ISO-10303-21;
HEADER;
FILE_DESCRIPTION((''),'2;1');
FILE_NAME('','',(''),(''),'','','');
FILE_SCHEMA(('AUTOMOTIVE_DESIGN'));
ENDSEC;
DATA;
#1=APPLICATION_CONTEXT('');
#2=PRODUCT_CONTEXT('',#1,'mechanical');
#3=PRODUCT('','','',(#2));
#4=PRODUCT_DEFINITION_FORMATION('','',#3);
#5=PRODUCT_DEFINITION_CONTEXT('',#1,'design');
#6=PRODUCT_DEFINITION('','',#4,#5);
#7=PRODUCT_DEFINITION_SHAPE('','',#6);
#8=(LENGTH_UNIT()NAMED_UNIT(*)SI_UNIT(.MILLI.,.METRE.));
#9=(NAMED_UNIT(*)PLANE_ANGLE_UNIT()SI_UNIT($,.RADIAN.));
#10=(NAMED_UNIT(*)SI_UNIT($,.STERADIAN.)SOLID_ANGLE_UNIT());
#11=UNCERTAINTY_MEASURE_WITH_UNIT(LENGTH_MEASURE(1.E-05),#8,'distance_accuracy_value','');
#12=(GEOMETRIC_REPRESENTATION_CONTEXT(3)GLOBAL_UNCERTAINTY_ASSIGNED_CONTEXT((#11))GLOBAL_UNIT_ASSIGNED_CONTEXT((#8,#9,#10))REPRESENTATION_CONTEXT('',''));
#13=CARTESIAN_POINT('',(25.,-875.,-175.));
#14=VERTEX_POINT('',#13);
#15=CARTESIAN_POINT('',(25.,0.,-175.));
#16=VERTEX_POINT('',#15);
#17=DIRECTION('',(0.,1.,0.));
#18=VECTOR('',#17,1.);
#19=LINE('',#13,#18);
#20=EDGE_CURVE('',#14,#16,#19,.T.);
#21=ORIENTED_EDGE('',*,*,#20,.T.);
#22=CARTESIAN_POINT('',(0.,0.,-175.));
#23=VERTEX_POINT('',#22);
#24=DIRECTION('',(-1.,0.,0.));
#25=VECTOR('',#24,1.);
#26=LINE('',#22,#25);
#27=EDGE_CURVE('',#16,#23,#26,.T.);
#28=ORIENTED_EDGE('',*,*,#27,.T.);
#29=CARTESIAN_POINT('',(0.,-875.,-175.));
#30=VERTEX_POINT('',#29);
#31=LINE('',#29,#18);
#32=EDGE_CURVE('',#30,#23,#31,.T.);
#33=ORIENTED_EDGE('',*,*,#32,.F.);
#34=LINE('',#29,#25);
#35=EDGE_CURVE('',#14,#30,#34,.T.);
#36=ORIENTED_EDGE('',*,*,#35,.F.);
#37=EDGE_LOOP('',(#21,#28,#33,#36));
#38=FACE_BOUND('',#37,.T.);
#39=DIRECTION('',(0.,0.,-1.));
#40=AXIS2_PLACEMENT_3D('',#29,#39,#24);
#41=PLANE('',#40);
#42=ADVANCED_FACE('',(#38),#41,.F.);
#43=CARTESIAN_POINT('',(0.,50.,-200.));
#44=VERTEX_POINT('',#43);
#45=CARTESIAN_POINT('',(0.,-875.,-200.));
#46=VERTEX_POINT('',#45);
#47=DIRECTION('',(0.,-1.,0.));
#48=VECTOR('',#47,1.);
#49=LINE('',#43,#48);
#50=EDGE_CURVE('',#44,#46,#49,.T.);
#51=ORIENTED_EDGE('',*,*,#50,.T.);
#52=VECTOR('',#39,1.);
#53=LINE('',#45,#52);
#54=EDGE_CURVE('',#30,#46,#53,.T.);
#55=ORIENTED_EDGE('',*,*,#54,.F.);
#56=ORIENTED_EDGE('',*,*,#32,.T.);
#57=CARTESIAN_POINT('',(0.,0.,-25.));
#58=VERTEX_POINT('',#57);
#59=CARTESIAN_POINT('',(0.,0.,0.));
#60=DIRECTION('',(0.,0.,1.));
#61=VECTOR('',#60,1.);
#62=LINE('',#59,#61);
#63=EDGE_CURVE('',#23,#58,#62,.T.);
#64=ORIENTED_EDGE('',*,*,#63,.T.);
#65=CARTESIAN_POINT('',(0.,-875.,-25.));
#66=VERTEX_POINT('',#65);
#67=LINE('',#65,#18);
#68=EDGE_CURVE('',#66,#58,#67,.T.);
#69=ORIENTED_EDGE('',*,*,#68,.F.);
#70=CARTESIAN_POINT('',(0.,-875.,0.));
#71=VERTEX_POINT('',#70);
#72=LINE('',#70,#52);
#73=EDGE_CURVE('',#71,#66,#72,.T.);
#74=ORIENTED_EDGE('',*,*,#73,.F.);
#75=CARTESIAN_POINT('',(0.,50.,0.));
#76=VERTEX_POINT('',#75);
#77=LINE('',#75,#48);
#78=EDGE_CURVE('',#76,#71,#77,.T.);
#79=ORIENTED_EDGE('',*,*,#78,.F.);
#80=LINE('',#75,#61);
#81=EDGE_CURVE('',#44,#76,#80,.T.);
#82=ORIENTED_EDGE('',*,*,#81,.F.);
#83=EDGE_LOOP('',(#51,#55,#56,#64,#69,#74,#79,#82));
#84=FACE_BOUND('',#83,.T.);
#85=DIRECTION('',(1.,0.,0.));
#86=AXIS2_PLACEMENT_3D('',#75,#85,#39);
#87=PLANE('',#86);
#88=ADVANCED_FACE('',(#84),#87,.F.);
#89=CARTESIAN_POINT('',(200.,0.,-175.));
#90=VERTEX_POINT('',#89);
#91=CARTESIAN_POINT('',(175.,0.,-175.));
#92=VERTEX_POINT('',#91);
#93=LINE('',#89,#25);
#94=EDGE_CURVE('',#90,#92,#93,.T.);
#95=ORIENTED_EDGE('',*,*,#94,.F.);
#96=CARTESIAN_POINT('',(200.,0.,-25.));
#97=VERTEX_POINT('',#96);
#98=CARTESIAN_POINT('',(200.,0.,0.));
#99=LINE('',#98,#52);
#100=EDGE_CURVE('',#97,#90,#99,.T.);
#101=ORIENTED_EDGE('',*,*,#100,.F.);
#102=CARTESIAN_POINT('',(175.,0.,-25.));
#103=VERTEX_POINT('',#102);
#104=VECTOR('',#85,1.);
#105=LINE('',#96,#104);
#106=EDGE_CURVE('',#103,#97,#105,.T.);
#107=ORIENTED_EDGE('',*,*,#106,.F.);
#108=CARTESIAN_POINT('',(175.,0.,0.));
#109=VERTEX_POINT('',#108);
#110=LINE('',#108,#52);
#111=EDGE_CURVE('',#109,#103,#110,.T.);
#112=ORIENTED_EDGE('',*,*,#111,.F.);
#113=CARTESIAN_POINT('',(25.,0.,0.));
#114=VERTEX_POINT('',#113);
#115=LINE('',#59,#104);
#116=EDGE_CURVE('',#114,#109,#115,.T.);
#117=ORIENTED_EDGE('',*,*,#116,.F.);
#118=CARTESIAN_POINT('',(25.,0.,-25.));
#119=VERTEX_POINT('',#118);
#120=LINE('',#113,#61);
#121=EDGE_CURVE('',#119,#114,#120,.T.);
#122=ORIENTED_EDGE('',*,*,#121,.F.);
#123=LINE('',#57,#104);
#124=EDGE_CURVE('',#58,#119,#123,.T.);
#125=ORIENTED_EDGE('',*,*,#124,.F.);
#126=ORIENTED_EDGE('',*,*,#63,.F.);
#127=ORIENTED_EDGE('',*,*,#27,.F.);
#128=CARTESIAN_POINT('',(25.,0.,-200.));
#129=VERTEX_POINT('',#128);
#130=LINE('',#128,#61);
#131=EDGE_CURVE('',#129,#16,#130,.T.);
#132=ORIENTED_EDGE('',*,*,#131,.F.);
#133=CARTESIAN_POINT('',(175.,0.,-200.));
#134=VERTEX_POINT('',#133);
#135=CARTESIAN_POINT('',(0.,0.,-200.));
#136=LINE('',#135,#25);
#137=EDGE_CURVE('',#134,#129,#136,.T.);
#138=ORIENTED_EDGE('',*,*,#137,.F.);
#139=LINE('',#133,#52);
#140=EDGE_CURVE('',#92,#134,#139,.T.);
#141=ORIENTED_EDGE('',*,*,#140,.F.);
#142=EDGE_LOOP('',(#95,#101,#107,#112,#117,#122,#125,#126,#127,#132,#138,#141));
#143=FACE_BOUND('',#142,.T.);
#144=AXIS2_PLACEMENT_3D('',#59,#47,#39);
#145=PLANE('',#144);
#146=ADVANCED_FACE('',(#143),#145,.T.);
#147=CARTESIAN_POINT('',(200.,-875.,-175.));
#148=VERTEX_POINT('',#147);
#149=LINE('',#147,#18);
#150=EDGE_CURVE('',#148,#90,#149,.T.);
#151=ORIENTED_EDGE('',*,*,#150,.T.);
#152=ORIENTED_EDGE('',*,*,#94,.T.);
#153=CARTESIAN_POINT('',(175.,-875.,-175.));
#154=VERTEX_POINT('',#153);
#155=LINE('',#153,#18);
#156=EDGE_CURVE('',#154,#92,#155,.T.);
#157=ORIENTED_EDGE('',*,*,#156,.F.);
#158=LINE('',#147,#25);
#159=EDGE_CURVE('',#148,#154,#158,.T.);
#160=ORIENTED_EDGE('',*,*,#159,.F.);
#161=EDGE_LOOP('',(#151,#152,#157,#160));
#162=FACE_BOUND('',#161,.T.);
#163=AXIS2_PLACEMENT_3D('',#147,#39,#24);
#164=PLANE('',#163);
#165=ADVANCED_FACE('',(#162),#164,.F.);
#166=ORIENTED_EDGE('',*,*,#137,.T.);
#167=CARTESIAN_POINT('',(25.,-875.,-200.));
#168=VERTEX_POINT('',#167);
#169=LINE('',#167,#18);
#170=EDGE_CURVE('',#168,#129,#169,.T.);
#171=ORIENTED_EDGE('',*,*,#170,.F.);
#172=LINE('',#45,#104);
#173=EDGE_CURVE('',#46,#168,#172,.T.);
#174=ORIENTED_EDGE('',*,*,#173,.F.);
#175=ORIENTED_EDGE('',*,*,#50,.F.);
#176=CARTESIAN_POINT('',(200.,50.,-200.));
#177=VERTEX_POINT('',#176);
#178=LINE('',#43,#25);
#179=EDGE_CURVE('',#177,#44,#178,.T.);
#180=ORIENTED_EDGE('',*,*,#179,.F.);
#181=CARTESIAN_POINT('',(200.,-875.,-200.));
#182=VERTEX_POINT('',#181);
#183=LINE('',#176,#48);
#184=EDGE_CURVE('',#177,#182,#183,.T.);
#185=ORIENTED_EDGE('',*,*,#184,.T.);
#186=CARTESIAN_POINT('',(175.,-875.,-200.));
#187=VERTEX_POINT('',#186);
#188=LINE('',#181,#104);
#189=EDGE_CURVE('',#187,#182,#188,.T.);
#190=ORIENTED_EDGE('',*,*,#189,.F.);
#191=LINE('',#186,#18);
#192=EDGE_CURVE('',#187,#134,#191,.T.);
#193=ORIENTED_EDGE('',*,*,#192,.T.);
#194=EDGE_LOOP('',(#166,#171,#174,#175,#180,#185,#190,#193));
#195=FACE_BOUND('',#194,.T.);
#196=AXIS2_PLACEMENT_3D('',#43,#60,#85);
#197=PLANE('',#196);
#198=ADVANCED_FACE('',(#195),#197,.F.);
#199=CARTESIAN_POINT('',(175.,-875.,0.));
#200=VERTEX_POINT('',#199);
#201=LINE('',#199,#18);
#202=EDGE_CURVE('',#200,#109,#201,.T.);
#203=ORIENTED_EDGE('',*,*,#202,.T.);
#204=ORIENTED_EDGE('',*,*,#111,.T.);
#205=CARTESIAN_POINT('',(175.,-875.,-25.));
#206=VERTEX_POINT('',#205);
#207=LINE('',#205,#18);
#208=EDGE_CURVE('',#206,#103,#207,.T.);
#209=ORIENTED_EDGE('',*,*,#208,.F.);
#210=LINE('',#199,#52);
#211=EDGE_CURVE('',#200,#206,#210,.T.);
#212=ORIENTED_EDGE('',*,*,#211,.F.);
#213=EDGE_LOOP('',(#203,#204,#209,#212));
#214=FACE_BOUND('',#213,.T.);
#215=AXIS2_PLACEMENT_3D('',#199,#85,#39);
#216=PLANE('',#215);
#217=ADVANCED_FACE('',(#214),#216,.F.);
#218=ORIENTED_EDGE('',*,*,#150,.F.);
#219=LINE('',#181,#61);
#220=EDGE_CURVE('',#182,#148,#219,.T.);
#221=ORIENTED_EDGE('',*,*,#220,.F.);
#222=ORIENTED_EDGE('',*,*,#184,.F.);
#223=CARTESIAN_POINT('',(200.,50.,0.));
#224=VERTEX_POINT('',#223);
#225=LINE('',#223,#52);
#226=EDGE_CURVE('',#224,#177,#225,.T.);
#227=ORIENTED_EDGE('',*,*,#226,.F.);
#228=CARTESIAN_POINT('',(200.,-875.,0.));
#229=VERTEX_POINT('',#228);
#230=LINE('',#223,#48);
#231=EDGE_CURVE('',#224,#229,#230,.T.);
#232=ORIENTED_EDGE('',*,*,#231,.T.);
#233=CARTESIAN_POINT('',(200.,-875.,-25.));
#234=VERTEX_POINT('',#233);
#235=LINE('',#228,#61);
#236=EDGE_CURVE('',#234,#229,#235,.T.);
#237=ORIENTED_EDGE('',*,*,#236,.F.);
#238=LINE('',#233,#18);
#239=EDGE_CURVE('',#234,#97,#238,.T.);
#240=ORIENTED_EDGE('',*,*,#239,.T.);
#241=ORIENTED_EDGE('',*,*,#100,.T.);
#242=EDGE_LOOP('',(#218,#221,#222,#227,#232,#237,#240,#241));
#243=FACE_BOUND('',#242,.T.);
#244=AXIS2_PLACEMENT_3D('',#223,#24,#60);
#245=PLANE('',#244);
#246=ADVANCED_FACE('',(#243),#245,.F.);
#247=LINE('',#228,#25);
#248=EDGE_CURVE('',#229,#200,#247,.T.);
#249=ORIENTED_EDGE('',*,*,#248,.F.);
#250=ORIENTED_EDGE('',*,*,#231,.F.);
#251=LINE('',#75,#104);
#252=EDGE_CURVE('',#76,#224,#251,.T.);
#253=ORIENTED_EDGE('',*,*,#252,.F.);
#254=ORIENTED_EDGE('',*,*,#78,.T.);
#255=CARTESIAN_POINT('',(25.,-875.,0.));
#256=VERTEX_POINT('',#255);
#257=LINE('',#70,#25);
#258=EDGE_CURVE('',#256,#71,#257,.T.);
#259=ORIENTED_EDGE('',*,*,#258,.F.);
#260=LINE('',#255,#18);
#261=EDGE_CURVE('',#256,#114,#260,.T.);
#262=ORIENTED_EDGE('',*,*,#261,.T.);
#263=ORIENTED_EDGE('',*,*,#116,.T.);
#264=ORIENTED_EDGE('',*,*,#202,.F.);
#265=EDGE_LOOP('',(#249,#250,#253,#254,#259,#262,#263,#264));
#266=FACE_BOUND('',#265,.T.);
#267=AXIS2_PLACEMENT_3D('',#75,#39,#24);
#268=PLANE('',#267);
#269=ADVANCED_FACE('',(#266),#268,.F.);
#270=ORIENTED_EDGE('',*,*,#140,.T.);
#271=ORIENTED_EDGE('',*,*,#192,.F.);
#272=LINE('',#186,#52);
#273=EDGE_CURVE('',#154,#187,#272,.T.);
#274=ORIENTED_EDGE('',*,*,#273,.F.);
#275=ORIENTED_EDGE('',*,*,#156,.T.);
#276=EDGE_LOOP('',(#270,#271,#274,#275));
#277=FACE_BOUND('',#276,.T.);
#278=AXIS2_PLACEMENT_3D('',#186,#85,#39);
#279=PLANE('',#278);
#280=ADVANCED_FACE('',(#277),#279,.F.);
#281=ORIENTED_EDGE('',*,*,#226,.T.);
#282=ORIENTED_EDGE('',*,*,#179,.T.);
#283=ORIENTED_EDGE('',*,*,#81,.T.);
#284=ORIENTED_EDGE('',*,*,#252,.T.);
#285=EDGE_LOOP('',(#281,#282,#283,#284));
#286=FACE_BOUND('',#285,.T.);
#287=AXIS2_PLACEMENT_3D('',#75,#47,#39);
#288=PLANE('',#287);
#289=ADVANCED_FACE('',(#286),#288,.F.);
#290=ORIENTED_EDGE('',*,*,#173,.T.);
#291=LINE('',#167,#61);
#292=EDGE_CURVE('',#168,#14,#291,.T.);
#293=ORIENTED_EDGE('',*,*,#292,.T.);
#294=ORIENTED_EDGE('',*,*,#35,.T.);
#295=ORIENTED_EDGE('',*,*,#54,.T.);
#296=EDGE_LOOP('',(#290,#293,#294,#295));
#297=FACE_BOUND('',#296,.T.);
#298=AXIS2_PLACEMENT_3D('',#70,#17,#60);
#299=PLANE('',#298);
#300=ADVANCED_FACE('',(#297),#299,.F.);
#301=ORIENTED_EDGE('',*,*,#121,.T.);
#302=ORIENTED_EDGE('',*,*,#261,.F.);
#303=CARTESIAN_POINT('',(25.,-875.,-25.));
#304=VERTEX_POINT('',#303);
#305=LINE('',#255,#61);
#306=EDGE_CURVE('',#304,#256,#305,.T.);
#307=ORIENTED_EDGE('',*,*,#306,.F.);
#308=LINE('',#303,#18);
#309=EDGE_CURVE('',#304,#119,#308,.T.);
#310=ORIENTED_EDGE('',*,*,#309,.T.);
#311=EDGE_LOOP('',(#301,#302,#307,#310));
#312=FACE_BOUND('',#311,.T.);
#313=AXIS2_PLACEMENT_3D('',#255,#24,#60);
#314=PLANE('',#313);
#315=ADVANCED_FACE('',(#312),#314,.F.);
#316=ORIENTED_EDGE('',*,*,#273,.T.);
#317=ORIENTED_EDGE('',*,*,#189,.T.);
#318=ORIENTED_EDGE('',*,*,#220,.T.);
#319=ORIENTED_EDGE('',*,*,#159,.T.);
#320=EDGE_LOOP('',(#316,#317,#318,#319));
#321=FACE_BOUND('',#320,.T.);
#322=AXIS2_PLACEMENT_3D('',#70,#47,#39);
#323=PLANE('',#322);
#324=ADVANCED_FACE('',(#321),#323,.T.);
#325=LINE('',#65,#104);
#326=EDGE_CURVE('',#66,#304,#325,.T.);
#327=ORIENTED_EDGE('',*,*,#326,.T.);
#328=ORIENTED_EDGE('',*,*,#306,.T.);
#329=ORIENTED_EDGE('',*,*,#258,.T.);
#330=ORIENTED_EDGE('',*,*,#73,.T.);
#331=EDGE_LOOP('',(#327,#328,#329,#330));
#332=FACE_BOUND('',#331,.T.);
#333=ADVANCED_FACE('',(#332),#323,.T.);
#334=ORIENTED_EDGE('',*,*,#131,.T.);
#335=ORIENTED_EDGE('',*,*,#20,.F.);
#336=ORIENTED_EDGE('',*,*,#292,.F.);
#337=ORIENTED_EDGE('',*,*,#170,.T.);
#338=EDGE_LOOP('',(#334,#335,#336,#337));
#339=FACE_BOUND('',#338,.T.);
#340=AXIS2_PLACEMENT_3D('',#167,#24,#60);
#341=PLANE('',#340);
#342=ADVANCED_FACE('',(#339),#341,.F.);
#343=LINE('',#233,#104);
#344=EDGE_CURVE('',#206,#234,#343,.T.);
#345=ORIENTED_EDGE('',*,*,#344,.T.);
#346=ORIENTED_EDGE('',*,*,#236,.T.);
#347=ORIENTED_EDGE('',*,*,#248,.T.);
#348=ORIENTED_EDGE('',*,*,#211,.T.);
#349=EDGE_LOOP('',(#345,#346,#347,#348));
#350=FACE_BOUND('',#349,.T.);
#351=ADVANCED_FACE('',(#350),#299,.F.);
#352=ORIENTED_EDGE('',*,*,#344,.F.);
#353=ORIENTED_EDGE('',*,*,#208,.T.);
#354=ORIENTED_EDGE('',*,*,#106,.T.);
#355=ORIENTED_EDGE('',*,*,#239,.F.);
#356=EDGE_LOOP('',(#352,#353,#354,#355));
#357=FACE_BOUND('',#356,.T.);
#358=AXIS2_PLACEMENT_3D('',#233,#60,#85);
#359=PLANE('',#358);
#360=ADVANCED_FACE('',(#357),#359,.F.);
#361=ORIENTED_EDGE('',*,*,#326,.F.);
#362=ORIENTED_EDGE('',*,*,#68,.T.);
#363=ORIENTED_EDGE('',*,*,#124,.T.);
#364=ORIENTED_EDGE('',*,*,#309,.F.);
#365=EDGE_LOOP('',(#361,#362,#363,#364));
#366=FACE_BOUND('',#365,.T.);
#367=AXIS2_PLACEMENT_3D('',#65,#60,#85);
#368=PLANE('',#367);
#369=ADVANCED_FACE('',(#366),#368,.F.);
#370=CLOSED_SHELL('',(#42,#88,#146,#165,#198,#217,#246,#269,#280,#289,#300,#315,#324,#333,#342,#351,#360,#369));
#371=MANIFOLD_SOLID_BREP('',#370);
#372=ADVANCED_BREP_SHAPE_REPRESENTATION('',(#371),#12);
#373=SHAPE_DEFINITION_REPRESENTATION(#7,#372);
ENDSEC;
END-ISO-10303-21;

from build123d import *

# Parameters (mm, degrees)
CROQUIS1_W              = 200
CROQUIS1_H              = 200
SALIENTE_EXTRUIR1_DEPTH = 50
CROQUIS2_W              = 25
CROQUIS2_H              = 25
SALIENTE_EXTRUIR2_DEPTH = 875


with BuildPart() as part:
    # Croquis1 → Saliente-Extruir1 (new body)
    with BuildSketch(Plane(origin=(0, 0, 0), x_dir=(1, 0, 0), z_dir=(0, 1, 0))):
        with Locations((100, 100)):
            Rectangle(CROQUIS1_W, CROQUIS1_H)
    extrude(amount=SALIENTE_EXTRUIR1_DEPTH)

    # Croquis2 → Saliente-Extruir2 (add)
    with BuildSketch(Plane.XZ):
        with Locations((12.5, -12.5)):
            Rectangle(CROQUIS2_W, CROQUIS2_H)
        with Locations((187.5, -12.5)):
            Rectangle(CROQUIS2_W, CROQUIS2_H)
        with Locations((12.5, -187.5)):
            Rectangle(CROQUIS2_W, CROQUIS2_H)
        with Locations((187.5, -187.5)):
            Rectangle(CROQUIS2_W, CROQUIS2_H)
    extrude(amount=SALIENTE_EXTRUIR2_DEPTH)


solid = part.part
